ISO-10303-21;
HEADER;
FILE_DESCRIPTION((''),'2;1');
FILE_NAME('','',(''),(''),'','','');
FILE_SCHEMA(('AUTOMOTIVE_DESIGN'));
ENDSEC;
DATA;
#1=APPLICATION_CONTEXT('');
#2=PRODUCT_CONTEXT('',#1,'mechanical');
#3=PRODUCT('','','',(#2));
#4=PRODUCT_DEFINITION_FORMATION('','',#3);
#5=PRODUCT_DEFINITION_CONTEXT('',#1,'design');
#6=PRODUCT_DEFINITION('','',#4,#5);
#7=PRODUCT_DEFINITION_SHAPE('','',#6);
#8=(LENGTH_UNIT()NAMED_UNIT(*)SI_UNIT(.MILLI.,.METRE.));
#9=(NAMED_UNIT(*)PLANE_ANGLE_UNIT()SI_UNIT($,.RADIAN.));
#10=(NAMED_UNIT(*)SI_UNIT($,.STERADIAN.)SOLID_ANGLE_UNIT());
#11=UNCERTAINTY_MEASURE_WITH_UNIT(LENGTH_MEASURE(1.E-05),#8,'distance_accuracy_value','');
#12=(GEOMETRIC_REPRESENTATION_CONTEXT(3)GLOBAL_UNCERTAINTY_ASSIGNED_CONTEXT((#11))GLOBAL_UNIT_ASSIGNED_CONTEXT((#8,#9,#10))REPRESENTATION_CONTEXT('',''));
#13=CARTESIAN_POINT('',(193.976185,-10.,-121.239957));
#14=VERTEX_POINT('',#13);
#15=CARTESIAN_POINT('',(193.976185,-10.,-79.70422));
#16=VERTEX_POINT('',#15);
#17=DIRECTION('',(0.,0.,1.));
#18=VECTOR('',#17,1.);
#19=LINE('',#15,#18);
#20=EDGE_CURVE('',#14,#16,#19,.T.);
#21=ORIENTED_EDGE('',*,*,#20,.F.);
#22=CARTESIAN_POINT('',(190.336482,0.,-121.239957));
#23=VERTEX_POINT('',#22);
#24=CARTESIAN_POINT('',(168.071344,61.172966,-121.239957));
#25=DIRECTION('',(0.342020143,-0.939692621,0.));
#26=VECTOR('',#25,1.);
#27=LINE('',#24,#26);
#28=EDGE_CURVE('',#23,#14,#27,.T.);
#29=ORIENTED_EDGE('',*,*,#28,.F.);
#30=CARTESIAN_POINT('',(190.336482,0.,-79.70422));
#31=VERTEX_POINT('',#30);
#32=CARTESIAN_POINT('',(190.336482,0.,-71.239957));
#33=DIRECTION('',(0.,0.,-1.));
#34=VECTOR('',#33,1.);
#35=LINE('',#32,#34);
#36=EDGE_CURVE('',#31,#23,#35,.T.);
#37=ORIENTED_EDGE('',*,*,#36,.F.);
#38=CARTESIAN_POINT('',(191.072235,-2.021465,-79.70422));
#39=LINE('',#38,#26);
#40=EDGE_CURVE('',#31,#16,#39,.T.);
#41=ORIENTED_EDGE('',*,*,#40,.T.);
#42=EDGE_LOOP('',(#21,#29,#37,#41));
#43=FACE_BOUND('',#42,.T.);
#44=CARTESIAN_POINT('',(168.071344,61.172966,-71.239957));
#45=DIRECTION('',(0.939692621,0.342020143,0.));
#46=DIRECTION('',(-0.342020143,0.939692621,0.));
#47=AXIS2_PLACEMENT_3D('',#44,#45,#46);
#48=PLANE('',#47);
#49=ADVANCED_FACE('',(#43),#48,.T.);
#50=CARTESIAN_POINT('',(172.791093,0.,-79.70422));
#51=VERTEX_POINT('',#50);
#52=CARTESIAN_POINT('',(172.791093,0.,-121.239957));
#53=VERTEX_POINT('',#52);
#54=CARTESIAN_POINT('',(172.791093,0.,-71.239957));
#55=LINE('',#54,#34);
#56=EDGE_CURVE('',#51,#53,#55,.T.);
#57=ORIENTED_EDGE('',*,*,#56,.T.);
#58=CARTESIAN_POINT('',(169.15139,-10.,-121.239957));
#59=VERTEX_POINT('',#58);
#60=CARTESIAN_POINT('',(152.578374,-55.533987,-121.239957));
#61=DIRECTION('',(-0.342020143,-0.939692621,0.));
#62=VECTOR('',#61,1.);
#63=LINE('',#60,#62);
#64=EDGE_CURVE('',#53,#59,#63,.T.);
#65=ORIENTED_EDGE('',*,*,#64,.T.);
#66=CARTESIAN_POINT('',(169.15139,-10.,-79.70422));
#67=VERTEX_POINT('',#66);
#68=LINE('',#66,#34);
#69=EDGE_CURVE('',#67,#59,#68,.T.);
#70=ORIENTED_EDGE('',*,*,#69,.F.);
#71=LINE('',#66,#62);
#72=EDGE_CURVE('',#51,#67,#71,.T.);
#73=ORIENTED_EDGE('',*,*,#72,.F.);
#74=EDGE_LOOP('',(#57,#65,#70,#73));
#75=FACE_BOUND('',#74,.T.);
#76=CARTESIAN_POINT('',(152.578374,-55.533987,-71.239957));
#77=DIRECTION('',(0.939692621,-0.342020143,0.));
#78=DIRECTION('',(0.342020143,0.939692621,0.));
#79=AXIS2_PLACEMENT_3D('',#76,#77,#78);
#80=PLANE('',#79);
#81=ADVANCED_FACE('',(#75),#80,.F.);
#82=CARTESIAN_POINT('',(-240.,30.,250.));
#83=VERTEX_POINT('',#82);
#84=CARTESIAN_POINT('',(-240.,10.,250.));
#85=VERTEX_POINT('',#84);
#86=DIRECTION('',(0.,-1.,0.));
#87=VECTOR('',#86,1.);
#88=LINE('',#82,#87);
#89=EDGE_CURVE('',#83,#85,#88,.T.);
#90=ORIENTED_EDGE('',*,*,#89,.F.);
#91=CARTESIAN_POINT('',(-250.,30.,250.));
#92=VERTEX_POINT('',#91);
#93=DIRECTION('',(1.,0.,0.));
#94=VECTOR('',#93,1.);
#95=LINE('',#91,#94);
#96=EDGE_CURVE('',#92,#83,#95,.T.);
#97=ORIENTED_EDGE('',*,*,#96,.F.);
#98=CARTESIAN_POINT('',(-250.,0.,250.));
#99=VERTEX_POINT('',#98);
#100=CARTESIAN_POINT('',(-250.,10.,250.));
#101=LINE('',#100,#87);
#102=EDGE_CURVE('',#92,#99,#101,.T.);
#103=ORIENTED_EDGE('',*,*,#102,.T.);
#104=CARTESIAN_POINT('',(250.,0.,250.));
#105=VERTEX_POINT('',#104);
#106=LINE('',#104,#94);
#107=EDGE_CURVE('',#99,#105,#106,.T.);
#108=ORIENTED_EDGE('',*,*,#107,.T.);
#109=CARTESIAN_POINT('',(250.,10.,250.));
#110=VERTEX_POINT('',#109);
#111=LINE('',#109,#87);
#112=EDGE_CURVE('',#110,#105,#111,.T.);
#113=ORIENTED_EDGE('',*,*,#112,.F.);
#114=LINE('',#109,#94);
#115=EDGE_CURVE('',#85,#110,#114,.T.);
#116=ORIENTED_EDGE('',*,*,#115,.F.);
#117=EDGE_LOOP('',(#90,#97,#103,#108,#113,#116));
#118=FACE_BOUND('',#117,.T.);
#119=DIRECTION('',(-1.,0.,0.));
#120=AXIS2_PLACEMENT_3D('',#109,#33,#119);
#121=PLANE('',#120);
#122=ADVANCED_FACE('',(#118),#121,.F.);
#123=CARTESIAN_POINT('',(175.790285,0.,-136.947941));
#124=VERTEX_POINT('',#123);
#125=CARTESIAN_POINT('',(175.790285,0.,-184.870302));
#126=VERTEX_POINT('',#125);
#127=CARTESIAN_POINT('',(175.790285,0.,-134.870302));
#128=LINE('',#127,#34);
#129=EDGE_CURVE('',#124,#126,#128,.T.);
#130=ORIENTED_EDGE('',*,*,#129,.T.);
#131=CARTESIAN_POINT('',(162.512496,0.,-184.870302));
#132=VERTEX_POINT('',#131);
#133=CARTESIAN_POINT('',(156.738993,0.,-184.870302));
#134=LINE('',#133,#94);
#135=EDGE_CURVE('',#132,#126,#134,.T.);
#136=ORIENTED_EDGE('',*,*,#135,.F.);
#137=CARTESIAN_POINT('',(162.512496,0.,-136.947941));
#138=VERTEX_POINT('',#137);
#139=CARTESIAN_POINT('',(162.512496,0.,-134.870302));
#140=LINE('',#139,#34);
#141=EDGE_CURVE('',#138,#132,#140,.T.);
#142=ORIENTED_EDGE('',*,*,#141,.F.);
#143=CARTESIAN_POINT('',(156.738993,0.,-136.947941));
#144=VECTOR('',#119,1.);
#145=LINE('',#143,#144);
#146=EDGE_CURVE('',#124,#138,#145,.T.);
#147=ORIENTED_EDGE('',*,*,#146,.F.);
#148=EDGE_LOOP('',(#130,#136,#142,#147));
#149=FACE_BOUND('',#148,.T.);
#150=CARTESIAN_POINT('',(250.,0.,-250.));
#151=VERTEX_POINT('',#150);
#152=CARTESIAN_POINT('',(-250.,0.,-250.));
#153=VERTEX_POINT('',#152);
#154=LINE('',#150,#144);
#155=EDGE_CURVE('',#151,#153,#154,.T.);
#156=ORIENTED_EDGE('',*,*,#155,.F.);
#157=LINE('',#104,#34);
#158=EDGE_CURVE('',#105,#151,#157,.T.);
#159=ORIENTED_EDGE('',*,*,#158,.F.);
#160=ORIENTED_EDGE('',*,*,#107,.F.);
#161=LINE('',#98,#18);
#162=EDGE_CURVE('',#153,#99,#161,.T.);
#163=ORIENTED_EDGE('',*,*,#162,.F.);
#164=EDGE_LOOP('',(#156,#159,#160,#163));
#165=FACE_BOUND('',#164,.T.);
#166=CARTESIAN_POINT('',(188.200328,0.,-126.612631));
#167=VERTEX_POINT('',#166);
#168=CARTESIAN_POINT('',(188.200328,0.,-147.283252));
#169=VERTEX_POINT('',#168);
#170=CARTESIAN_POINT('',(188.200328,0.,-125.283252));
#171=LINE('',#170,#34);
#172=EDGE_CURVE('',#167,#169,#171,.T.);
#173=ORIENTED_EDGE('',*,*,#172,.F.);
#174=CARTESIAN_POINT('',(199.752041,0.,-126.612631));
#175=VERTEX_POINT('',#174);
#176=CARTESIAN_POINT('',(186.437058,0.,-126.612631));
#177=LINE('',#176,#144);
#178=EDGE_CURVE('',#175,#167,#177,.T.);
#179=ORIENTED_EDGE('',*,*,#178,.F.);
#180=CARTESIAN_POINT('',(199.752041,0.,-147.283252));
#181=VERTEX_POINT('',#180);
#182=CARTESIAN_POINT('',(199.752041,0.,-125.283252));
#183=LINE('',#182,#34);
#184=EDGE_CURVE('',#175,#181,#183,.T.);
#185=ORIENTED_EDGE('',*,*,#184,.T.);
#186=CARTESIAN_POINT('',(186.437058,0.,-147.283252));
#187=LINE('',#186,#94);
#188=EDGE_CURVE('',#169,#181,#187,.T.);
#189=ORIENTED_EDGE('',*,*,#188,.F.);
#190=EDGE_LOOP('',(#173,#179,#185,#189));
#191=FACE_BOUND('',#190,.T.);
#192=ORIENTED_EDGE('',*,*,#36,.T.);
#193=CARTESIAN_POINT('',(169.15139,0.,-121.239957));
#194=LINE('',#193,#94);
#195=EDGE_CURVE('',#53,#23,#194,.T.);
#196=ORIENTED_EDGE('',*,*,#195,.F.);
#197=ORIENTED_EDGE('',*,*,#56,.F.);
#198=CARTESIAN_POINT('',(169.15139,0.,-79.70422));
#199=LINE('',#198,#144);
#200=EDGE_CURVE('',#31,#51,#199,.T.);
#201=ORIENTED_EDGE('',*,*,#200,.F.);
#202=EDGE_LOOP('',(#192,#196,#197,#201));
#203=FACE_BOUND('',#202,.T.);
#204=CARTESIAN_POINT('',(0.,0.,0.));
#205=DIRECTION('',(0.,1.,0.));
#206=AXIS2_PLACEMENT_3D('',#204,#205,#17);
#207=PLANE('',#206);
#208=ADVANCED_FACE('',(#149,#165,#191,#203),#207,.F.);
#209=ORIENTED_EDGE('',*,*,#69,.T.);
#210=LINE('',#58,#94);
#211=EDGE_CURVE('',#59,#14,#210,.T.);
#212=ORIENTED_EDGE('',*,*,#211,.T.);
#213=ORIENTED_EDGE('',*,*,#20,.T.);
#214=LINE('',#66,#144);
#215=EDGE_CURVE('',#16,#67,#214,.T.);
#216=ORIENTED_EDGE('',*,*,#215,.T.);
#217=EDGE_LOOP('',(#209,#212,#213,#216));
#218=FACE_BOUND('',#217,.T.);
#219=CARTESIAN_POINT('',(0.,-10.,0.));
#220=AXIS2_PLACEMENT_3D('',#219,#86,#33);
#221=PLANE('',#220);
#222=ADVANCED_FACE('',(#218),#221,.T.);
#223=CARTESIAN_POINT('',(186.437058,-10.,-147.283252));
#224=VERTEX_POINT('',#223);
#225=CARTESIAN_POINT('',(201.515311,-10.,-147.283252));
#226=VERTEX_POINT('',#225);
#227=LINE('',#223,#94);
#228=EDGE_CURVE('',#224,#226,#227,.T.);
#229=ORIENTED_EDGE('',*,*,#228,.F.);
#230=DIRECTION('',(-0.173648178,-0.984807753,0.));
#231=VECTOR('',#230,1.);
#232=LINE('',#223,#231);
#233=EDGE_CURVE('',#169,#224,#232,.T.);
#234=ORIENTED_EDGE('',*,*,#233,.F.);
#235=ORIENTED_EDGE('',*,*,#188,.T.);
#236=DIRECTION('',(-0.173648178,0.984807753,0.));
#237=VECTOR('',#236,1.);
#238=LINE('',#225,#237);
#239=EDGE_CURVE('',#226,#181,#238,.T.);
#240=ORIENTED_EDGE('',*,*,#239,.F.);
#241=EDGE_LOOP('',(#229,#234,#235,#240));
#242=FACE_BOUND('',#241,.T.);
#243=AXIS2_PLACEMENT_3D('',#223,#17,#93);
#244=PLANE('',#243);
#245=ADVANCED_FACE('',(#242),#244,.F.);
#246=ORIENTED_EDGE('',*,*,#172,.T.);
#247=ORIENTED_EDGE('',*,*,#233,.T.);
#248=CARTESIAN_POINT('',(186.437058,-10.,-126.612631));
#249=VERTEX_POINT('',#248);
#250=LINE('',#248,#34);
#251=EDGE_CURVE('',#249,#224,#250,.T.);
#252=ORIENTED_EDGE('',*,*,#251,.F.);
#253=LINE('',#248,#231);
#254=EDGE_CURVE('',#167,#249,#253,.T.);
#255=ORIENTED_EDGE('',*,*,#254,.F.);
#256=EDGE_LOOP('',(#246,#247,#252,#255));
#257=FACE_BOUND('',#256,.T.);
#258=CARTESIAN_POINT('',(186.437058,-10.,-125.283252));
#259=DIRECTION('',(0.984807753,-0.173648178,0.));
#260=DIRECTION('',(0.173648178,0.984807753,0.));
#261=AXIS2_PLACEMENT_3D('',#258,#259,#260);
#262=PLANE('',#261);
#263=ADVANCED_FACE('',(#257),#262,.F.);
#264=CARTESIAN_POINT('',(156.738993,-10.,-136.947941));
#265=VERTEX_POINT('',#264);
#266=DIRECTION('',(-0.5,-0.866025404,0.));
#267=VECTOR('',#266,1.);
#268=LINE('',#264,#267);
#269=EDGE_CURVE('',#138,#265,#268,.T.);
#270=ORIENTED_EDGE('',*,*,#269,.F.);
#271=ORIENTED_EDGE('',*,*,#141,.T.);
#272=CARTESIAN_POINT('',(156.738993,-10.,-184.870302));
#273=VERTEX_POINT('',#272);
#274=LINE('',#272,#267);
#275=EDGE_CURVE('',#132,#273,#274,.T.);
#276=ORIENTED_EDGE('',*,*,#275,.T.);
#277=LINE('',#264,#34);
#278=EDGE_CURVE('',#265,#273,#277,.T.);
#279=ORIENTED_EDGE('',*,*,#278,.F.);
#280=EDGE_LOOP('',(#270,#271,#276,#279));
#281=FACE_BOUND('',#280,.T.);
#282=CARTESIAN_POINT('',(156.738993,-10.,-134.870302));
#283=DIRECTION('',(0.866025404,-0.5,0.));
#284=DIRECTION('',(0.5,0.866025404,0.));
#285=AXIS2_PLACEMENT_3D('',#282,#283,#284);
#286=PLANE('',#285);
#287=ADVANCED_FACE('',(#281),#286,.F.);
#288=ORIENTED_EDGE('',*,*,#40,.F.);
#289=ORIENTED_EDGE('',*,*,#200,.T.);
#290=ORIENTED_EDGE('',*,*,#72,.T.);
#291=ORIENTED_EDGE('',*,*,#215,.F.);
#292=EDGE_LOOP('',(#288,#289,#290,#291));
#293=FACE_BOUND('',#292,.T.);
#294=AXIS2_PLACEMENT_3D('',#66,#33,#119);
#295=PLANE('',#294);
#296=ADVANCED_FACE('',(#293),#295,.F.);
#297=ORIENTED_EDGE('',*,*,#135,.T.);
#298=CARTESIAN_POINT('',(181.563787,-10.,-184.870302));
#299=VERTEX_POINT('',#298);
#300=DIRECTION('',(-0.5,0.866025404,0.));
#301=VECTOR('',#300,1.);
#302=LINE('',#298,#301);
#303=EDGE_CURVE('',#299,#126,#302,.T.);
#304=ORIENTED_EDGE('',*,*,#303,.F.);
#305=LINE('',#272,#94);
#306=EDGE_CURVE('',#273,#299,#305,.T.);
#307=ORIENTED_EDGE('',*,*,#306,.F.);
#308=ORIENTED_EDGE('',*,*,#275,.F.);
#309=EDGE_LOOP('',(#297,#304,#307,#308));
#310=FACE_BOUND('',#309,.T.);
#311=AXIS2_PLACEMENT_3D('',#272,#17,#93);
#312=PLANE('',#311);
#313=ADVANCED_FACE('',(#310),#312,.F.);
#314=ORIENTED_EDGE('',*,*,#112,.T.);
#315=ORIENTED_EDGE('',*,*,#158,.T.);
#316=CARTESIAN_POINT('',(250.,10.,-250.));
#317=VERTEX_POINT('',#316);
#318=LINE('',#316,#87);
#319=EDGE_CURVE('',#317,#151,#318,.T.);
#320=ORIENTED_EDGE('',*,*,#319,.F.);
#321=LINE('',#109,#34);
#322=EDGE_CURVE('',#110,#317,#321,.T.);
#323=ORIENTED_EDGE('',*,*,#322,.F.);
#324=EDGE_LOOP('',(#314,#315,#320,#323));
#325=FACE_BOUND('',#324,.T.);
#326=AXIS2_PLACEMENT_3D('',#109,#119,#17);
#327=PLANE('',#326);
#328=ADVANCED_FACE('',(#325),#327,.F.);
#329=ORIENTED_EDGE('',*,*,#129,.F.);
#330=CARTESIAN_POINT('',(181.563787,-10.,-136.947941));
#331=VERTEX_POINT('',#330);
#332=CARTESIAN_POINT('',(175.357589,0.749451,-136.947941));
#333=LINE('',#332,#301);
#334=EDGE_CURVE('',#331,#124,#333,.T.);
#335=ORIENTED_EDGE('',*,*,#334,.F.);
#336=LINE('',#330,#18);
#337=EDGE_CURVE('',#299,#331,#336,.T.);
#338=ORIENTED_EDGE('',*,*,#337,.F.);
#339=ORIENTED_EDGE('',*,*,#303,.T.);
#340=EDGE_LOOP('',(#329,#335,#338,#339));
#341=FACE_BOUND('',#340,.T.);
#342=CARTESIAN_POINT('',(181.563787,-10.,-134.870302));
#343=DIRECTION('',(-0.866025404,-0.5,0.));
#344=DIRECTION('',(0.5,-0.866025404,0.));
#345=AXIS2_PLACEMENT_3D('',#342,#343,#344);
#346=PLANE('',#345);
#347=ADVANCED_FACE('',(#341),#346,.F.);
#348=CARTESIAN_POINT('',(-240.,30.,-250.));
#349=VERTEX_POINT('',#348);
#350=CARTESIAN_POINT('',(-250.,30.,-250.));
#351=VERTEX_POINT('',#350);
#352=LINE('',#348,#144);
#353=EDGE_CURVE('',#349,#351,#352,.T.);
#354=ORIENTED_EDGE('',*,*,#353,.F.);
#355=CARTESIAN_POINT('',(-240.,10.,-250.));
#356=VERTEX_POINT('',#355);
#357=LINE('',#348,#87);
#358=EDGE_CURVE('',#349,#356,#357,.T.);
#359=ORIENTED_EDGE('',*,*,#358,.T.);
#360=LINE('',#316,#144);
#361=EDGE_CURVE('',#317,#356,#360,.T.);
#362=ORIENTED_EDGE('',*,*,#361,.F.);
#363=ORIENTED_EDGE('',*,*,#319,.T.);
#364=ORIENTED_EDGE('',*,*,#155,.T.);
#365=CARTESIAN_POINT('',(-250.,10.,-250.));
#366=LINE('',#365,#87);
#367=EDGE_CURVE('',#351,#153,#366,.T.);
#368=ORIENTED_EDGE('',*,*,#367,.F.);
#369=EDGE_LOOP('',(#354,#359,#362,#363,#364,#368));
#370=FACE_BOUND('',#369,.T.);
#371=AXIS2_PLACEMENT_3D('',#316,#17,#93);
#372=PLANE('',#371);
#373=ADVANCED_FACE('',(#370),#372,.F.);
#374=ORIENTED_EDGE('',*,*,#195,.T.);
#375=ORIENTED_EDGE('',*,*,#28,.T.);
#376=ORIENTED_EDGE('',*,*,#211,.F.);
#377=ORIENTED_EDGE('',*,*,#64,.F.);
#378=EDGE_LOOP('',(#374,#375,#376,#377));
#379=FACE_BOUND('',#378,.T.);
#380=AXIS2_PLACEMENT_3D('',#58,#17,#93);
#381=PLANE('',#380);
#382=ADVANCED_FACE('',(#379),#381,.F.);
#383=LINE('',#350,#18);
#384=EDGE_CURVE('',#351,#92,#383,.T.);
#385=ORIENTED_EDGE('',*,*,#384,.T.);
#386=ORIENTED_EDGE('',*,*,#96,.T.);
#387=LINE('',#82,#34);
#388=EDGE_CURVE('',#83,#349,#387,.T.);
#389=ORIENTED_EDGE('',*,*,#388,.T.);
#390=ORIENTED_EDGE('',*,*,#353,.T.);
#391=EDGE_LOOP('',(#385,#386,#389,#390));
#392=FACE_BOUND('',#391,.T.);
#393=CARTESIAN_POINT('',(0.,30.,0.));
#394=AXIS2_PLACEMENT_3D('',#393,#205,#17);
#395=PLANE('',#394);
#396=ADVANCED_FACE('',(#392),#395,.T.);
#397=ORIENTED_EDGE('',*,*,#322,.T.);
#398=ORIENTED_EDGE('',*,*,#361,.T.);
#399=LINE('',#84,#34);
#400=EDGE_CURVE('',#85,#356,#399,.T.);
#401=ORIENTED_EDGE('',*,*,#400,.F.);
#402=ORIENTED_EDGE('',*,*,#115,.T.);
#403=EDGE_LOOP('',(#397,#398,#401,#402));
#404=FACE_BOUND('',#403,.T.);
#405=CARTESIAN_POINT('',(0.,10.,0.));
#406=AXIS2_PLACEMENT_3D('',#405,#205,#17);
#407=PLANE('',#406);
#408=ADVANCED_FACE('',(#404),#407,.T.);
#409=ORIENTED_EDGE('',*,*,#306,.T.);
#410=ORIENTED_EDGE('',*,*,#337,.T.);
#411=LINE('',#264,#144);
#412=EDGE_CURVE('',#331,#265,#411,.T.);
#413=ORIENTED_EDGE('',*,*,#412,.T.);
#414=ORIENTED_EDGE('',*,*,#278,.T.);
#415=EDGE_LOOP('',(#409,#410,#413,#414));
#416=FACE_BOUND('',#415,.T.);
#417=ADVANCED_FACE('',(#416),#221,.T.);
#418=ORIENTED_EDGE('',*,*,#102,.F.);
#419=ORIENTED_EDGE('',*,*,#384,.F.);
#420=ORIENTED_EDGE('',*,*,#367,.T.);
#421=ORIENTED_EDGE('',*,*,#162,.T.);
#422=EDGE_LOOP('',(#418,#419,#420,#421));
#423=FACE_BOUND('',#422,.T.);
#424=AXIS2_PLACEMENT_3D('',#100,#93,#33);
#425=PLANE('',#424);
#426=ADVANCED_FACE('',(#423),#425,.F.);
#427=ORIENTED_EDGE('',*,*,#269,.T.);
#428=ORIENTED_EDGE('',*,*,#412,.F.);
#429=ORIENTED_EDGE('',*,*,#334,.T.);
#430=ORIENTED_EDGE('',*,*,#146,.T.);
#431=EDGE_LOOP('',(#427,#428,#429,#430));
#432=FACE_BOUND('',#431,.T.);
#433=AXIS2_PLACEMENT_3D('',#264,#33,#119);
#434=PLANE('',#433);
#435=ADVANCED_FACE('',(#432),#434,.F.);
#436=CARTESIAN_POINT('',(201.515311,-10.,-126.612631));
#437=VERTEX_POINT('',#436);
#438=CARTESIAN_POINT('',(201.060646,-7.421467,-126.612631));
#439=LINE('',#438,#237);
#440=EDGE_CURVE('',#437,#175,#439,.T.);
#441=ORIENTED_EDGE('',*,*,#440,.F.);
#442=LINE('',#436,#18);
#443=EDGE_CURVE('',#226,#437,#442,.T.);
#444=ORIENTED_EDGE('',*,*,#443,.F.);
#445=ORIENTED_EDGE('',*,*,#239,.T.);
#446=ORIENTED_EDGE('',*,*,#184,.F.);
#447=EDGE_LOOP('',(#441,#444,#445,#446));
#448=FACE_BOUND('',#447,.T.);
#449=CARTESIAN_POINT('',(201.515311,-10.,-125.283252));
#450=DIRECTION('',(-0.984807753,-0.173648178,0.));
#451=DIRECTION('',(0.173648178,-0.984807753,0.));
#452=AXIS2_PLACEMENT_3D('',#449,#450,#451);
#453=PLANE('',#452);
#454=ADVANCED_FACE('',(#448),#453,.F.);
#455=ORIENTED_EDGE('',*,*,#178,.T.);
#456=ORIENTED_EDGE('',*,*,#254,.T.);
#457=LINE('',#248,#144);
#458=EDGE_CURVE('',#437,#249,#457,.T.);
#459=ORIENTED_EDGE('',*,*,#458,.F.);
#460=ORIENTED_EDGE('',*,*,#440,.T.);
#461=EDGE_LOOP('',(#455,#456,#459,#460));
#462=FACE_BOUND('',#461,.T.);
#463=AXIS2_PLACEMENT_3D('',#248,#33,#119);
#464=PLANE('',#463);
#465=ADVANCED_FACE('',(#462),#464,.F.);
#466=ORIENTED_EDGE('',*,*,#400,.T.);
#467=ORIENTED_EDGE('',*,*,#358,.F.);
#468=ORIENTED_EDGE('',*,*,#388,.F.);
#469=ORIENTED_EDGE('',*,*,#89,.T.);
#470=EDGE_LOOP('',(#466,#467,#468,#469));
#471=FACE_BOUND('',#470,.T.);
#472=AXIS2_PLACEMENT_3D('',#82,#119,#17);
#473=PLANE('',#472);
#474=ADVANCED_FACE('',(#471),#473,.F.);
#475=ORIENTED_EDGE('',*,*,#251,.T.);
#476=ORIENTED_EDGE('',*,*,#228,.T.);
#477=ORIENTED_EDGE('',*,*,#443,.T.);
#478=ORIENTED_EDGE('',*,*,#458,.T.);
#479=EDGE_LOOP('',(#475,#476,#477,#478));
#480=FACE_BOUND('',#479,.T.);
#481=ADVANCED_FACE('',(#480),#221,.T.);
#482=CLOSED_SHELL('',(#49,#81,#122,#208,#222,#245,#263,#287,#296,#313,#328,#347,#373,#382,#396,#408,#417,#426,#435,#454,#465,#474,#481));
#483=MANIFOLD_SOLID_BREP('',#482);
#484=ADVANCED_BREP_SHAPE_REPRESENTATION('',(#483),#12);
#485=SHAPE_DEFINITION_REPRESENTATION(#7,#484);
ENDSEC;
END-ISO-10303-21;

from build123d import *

# Parameters (mm, degrees)
SKETCH1_W           = 500
SKETCH1_H           = 500
BOSS_EXTRUDE1_DEPTH = 10
SKETCH2_W           = 10
SKETCH2_H           = 500
BOSS_EXTRUDE2_DEPTH = 20
SKETCH3_W           = 24.824794579
SKETCH3_H           = 41.535737198
SKETCH3_H_2         = 47.922361064
SKETCH3_W_2         = 15.07825301
SKETCH3_H_3         = 20.670620926
BOSS_EXTRUDE3_DEPTH = 10
CUT_EXTRUDE4_DEPTH  = 50
CUT_EXTRUDE5_DEPTH  = 50
CUT_EXTRUDE6_DEPTH  = 22


with BuildPart() as part:
    # Sketch1 → Boss-Extrude1 (new body)
    with BuildSketch(Plane(origin=(0, 0, 0), x_dir=(1, 0, 0), z_dir=(0, 1, 0))):
        Rectangle(SKETCH1_W, SKETCH1_H)
    extrude(amount=BOSS_EXTRUDE1_DEPTH)

    # Sketch2 → Boss-Extrude2 (add)
    with BuildSketch(Plane(origin=(0, 10, 0), x_dir=(1, 0, 0), z_dir=(0, 1, 0))):
        with Locations((-245, 0)):
            Rectangle(SKETCH2_W, SKETCH2_H)
    extrude(amount=BOSS_EXTRUDE2_DEPTH)

    # Sketch3 → Boss-Extrude3 (add)
    with BuildSketch(Plane.XZ):
        with Locations((181.563787456, -100.472088386)):
            Rectangle(SKETCH3_W, SKETCH3_H)
        with Locations((169.151390168, -160.909121908)):
            Rectangle(SKETCH3_W, SKETCH3_H_2)
        with Locations((193.976184746, -136.947941376)):
            Rectangle(SKETCH3_W_2, SKETCH3_H_3)
    extrude(amount=BOSS_EXTRUDE3_DEPTH)

    # Sketch6 → Cut-Extrude4 (cut)
    with BuildSketch(Plane(origin=(0, 0, -184.87030244), x_dir=(-1, 0, 0), z_dir=(0, 0, -1))):
        Polygon((-156.738992878, -10), (-162.512495569, 0), (-156.738992878, 0), align=None)
        Polygon((-175.790284765, 0), (-181.563787457, 0), (-181.563787457, -10), align=None)
    extrude(amount=-CUT_EXTRUDE4_DEPTH, mode=Mode.SUBTRACT)

    # Sketch5 → Cut-Extrude5 (cut)
    with BuildSketch(Plane(origin=(0, 0, -121.239956985), x_dir=(-1, 0, 0), z_dir=(0, 0, -1))):
        Polygon((-172.79109251, 0), (-169.151390167, -10), (-169.151390167, 0), align=None)
        Polygon((-193.976184746, -10), (-190.336482403, 0), (-193.976184746, 0), align=None)
    extrude(amount=-CUT_EXTRUDE5_DEPTH, mode=Mode.SUBTRACT)

    # Sketch4 → Cut-Extrude6 (cut)
    with BuildSketch(Plane(origin=(0, 0, -147.283251839), x_dir=(-1, 0, 0), z_dir=(0, 0, -1))):
        Polygon((-186.437058241, -10), (-188.200328049, 0), (-186.437058241, 0), align=None)
        Polygon((-199.752041444, 0), (-201.515311251, 0), (-201.515311251, -10), align=None)
    extrude(amount=-CUT_EXTRUDE6_DEPTH, mode=Mode.SUBTRACT)


solid = part.part
